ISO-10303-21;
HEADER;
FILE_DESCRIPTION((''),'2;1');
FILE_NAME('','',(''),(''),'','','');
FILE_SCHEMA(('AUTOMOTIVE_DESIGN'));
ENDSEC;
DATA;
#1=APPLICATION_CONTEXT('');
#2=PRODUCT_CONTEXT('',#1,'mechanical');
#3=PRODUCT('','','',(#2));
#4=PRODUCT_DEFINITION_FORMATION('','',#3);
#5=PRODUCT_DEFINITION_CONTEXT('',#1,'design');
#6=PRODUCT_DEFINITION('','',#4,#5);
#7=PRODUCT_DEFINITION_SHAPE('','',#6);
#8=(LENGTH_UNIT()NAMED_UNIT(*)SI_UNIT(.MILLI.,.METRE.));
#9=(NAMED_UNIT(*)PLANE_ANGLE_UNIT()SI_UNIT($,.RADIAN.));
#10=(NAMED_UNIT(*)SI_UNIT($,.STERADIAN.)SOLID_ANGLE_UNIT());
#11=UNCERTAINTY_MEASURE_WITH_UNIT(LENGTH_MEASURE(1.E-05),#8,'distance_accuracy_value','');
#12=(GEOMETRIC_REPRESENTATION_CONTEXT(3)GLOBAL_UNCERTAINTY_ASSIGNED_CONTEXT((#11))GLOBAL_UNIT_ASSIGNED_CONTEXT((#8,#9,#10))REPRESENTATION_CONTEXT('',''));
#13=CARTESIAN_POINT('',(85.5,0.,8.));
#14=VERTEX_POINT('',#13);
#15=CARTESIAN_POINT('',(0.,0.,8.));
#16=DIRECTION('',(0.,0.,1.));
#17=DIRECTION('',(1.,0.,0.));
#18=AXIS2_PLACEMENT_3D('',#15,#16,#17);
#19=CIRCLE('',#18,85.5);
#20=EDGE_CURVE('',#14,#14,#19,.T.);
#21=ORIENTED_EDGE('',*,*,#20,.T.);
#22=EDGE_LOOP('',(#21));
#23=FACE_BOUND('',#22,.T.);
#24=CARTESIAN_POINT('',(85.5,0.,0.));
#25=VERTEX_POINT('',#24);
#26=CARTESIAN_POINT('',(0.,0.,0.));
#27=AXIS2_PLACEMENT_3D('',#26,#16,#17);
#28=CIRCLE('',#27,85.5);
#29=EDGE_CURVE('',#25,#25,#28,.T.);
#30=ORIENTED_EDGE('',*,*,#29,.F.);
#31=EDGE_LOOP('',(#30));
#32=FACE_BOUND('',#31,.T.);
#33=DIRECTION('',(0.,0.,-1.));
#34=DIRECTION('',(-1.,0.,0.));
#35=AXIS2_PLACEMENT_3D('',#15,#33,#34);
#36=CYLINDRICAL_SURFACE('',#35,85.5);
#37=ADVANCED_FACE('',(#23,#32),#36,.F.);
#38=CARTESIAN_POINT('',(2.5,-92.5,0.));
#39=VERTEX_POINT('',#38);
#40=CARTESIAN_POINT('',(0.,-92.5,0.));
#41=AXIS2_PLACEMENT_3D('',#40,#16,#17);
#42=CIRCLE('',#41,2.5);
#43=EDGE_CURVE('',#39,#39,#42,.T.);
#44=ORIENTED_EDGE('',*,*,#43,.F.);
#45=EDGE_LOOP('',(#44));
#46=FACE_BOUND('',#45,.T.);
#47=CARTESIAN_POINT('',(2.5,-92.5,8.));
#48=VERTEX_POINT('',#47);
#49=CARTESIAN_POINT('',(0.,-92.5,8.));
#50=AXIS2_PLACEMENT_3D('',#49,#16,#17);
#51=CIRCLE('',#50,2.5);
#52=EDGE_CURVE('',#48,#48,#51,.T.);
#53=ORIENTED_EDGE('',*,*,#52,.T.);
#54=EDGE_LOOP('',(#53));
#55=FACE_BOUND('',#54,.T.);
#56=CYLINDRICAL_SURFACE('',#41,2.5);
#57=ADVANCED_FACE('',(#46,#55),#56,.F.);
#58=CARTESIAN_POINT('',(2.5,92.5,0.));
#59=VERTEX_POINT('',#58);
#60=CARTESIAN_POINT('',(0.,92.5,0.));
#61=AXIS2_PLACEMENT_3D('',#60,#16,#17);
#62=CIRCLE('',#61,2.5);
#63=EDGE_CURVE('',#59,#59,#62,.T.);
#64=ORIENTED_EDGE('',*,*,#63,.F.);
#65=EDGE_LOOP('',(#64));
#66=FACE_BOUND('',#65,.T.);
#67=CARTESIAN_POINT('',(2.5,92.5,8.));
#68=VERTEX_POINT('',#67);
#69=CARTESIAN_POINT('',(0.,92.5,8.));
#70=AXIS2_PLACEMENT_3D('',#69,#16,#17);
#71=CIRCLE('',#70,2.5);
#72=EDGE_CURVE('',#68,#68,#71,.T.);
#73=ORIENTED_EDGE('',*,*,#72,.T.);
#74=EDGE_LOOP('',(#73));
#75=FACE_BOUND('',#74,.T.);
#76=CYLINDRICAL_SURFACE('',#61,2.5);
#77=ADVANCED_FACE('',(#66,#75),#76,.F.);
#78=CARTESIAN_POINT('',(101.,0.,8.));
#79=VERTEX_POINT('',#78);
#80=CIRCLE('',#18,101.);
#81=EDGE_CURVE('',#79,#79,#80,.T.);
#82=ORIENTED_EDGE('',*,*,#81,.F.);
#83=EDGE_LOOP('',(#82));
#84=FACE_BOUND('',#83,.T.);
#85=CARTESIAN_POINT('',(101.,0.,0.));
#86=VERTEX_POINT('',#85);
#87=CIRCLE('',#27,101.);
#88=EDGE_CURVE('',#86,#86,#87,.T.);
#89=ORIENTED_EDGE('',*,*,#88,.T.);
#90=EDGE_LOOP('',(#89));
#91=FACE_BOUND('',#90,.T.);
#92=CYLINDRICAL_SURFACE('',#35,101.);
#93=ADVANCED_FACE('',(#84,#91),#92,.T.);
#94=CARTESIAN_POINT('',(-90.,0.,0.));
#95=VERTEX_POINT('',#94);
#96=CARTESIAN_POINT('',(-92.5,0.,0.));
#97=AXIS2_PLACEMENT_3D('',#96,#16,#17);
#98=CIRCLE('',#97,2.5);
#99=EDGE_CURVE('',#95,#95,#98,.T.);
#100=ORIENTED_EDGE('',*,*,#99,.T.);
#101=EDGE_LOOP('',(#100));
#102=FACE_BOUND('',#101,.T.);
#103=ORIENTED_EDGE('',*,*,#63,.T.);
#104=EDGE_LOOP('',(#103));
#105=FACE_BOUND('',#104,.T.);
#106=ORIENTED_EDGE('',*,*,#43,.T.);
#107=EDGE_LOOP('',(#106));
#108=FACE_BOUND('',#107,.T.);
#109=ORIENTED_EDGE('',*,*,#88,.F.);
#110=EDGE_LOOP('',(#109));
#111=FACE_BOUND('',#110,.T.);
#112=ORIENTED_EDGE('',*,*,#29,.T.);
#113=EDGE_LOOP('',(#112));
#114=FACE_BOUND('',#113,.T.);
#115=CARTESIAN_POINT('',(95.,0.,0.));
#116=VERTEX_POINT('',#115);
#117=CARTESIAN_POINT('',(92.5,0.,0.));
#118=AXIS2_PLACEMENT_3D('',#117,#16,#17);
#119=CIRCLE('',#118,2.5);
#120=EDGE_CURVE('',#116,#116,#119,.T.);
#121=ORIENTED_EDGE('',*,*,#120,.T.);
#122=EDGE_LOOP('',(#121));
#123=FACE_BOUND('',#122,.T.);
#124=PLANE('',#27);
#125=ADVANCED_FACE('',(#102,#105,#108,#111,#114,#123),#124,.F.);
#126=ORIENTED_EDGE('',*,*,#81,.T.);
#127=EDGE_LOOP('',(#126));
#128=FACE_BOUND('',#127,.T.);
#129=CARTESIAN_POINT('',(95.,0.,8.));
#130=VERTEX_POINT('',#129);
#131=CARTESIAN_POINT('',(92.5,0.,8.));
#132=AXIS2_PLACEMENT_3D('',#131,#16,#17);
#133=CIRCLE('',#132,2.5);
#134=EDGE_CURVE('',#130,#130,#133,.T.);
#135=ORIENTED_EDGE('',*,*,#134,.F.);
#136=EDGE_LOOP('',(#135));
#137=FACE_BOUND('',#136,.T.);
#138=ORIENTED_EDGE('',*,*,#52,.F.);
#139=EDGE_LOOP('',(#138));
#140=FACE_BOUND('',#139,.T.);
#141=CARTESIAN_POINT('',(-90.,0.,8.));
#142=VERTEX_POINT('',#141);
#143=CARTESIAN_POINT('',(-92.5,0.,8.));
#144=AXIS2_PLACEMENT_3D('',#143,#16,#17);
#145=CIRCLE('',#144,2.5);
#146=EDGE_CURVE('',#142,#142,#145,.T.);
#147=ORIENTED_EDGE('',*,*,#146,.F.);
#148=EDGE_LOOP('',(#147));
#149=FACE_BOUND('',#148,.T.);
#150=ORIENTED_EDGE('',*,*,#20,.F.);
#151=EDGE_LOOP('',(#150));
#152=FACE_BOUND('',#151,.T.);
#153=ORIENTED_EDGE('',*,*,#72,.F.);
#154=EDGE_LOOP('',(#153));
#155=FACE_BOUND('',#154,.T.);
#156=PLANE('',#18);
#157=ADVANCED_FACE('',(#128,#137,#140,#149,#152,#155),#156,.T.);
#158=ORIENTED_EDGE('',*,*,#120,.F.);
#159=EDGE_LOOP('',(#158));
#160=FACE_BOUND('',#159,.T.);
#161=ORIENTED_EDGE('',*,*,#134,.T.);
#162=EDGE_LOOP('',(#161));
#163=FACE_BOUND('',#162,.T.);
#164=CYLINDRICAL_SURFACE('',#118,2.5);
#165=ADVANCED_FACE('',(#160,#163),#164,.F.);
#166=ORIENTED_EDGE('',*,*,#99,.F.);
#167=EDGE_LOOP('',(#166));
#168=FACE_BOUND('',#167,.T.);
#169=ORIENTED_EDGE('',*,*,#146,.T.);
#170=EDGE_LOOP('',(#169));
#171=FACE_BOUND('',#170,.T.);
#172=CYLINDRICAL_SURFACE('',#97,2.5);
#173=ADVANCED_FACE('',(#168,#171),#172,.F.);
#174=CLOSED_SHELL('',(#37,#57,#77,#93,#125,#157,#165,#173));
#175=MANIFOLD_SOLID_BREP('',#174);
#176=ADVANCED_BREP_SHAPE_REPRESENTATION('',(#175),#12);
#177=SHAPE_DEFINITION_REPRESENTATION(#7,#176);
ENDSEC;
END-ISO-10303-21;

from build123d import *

# Parameters (mm, degrees)
SKETCH1_R           = 101
SKETCH1_R_2         = 85.5
BOSS_EXTRUDE1_DEPTH = 8
SKETCH2_R           = 2.5
CUT_EXTRUDE1_DEPTH  = 144.059428211


with BuildPart() as part:
    # Sketch1 → Boss-Extrude1 (new body)
    with BuildSketch(Plane.XY):
        Circle(SKETCH1_R)
        Circle(SKETCH1_R_2, mode=Mode.SUBTRACT)
    extrude(amount=BOSS_EXTRUDE1_DEPTH)

    # Sketch2 → Cut-Extrude1 (cut, through all)
    with BuildSketch(Plane.XY.offset(8)):
        with Locations((0, 92.5)):
            Circle(SKETCH2_R)
        with Locations((92.5, 0)):
            Circle(SKETCH2_R)
        with Locations((0, -92.5)):
            Circle(SKETCH2_R)
        with Locations((-92.5, 0)):
            Circle(SKETCH2_R)
    extrude(amount=-CUT_EXTRUDE1_DEPTH, mode=Mode.SUBTRACT)


solid = part.part
